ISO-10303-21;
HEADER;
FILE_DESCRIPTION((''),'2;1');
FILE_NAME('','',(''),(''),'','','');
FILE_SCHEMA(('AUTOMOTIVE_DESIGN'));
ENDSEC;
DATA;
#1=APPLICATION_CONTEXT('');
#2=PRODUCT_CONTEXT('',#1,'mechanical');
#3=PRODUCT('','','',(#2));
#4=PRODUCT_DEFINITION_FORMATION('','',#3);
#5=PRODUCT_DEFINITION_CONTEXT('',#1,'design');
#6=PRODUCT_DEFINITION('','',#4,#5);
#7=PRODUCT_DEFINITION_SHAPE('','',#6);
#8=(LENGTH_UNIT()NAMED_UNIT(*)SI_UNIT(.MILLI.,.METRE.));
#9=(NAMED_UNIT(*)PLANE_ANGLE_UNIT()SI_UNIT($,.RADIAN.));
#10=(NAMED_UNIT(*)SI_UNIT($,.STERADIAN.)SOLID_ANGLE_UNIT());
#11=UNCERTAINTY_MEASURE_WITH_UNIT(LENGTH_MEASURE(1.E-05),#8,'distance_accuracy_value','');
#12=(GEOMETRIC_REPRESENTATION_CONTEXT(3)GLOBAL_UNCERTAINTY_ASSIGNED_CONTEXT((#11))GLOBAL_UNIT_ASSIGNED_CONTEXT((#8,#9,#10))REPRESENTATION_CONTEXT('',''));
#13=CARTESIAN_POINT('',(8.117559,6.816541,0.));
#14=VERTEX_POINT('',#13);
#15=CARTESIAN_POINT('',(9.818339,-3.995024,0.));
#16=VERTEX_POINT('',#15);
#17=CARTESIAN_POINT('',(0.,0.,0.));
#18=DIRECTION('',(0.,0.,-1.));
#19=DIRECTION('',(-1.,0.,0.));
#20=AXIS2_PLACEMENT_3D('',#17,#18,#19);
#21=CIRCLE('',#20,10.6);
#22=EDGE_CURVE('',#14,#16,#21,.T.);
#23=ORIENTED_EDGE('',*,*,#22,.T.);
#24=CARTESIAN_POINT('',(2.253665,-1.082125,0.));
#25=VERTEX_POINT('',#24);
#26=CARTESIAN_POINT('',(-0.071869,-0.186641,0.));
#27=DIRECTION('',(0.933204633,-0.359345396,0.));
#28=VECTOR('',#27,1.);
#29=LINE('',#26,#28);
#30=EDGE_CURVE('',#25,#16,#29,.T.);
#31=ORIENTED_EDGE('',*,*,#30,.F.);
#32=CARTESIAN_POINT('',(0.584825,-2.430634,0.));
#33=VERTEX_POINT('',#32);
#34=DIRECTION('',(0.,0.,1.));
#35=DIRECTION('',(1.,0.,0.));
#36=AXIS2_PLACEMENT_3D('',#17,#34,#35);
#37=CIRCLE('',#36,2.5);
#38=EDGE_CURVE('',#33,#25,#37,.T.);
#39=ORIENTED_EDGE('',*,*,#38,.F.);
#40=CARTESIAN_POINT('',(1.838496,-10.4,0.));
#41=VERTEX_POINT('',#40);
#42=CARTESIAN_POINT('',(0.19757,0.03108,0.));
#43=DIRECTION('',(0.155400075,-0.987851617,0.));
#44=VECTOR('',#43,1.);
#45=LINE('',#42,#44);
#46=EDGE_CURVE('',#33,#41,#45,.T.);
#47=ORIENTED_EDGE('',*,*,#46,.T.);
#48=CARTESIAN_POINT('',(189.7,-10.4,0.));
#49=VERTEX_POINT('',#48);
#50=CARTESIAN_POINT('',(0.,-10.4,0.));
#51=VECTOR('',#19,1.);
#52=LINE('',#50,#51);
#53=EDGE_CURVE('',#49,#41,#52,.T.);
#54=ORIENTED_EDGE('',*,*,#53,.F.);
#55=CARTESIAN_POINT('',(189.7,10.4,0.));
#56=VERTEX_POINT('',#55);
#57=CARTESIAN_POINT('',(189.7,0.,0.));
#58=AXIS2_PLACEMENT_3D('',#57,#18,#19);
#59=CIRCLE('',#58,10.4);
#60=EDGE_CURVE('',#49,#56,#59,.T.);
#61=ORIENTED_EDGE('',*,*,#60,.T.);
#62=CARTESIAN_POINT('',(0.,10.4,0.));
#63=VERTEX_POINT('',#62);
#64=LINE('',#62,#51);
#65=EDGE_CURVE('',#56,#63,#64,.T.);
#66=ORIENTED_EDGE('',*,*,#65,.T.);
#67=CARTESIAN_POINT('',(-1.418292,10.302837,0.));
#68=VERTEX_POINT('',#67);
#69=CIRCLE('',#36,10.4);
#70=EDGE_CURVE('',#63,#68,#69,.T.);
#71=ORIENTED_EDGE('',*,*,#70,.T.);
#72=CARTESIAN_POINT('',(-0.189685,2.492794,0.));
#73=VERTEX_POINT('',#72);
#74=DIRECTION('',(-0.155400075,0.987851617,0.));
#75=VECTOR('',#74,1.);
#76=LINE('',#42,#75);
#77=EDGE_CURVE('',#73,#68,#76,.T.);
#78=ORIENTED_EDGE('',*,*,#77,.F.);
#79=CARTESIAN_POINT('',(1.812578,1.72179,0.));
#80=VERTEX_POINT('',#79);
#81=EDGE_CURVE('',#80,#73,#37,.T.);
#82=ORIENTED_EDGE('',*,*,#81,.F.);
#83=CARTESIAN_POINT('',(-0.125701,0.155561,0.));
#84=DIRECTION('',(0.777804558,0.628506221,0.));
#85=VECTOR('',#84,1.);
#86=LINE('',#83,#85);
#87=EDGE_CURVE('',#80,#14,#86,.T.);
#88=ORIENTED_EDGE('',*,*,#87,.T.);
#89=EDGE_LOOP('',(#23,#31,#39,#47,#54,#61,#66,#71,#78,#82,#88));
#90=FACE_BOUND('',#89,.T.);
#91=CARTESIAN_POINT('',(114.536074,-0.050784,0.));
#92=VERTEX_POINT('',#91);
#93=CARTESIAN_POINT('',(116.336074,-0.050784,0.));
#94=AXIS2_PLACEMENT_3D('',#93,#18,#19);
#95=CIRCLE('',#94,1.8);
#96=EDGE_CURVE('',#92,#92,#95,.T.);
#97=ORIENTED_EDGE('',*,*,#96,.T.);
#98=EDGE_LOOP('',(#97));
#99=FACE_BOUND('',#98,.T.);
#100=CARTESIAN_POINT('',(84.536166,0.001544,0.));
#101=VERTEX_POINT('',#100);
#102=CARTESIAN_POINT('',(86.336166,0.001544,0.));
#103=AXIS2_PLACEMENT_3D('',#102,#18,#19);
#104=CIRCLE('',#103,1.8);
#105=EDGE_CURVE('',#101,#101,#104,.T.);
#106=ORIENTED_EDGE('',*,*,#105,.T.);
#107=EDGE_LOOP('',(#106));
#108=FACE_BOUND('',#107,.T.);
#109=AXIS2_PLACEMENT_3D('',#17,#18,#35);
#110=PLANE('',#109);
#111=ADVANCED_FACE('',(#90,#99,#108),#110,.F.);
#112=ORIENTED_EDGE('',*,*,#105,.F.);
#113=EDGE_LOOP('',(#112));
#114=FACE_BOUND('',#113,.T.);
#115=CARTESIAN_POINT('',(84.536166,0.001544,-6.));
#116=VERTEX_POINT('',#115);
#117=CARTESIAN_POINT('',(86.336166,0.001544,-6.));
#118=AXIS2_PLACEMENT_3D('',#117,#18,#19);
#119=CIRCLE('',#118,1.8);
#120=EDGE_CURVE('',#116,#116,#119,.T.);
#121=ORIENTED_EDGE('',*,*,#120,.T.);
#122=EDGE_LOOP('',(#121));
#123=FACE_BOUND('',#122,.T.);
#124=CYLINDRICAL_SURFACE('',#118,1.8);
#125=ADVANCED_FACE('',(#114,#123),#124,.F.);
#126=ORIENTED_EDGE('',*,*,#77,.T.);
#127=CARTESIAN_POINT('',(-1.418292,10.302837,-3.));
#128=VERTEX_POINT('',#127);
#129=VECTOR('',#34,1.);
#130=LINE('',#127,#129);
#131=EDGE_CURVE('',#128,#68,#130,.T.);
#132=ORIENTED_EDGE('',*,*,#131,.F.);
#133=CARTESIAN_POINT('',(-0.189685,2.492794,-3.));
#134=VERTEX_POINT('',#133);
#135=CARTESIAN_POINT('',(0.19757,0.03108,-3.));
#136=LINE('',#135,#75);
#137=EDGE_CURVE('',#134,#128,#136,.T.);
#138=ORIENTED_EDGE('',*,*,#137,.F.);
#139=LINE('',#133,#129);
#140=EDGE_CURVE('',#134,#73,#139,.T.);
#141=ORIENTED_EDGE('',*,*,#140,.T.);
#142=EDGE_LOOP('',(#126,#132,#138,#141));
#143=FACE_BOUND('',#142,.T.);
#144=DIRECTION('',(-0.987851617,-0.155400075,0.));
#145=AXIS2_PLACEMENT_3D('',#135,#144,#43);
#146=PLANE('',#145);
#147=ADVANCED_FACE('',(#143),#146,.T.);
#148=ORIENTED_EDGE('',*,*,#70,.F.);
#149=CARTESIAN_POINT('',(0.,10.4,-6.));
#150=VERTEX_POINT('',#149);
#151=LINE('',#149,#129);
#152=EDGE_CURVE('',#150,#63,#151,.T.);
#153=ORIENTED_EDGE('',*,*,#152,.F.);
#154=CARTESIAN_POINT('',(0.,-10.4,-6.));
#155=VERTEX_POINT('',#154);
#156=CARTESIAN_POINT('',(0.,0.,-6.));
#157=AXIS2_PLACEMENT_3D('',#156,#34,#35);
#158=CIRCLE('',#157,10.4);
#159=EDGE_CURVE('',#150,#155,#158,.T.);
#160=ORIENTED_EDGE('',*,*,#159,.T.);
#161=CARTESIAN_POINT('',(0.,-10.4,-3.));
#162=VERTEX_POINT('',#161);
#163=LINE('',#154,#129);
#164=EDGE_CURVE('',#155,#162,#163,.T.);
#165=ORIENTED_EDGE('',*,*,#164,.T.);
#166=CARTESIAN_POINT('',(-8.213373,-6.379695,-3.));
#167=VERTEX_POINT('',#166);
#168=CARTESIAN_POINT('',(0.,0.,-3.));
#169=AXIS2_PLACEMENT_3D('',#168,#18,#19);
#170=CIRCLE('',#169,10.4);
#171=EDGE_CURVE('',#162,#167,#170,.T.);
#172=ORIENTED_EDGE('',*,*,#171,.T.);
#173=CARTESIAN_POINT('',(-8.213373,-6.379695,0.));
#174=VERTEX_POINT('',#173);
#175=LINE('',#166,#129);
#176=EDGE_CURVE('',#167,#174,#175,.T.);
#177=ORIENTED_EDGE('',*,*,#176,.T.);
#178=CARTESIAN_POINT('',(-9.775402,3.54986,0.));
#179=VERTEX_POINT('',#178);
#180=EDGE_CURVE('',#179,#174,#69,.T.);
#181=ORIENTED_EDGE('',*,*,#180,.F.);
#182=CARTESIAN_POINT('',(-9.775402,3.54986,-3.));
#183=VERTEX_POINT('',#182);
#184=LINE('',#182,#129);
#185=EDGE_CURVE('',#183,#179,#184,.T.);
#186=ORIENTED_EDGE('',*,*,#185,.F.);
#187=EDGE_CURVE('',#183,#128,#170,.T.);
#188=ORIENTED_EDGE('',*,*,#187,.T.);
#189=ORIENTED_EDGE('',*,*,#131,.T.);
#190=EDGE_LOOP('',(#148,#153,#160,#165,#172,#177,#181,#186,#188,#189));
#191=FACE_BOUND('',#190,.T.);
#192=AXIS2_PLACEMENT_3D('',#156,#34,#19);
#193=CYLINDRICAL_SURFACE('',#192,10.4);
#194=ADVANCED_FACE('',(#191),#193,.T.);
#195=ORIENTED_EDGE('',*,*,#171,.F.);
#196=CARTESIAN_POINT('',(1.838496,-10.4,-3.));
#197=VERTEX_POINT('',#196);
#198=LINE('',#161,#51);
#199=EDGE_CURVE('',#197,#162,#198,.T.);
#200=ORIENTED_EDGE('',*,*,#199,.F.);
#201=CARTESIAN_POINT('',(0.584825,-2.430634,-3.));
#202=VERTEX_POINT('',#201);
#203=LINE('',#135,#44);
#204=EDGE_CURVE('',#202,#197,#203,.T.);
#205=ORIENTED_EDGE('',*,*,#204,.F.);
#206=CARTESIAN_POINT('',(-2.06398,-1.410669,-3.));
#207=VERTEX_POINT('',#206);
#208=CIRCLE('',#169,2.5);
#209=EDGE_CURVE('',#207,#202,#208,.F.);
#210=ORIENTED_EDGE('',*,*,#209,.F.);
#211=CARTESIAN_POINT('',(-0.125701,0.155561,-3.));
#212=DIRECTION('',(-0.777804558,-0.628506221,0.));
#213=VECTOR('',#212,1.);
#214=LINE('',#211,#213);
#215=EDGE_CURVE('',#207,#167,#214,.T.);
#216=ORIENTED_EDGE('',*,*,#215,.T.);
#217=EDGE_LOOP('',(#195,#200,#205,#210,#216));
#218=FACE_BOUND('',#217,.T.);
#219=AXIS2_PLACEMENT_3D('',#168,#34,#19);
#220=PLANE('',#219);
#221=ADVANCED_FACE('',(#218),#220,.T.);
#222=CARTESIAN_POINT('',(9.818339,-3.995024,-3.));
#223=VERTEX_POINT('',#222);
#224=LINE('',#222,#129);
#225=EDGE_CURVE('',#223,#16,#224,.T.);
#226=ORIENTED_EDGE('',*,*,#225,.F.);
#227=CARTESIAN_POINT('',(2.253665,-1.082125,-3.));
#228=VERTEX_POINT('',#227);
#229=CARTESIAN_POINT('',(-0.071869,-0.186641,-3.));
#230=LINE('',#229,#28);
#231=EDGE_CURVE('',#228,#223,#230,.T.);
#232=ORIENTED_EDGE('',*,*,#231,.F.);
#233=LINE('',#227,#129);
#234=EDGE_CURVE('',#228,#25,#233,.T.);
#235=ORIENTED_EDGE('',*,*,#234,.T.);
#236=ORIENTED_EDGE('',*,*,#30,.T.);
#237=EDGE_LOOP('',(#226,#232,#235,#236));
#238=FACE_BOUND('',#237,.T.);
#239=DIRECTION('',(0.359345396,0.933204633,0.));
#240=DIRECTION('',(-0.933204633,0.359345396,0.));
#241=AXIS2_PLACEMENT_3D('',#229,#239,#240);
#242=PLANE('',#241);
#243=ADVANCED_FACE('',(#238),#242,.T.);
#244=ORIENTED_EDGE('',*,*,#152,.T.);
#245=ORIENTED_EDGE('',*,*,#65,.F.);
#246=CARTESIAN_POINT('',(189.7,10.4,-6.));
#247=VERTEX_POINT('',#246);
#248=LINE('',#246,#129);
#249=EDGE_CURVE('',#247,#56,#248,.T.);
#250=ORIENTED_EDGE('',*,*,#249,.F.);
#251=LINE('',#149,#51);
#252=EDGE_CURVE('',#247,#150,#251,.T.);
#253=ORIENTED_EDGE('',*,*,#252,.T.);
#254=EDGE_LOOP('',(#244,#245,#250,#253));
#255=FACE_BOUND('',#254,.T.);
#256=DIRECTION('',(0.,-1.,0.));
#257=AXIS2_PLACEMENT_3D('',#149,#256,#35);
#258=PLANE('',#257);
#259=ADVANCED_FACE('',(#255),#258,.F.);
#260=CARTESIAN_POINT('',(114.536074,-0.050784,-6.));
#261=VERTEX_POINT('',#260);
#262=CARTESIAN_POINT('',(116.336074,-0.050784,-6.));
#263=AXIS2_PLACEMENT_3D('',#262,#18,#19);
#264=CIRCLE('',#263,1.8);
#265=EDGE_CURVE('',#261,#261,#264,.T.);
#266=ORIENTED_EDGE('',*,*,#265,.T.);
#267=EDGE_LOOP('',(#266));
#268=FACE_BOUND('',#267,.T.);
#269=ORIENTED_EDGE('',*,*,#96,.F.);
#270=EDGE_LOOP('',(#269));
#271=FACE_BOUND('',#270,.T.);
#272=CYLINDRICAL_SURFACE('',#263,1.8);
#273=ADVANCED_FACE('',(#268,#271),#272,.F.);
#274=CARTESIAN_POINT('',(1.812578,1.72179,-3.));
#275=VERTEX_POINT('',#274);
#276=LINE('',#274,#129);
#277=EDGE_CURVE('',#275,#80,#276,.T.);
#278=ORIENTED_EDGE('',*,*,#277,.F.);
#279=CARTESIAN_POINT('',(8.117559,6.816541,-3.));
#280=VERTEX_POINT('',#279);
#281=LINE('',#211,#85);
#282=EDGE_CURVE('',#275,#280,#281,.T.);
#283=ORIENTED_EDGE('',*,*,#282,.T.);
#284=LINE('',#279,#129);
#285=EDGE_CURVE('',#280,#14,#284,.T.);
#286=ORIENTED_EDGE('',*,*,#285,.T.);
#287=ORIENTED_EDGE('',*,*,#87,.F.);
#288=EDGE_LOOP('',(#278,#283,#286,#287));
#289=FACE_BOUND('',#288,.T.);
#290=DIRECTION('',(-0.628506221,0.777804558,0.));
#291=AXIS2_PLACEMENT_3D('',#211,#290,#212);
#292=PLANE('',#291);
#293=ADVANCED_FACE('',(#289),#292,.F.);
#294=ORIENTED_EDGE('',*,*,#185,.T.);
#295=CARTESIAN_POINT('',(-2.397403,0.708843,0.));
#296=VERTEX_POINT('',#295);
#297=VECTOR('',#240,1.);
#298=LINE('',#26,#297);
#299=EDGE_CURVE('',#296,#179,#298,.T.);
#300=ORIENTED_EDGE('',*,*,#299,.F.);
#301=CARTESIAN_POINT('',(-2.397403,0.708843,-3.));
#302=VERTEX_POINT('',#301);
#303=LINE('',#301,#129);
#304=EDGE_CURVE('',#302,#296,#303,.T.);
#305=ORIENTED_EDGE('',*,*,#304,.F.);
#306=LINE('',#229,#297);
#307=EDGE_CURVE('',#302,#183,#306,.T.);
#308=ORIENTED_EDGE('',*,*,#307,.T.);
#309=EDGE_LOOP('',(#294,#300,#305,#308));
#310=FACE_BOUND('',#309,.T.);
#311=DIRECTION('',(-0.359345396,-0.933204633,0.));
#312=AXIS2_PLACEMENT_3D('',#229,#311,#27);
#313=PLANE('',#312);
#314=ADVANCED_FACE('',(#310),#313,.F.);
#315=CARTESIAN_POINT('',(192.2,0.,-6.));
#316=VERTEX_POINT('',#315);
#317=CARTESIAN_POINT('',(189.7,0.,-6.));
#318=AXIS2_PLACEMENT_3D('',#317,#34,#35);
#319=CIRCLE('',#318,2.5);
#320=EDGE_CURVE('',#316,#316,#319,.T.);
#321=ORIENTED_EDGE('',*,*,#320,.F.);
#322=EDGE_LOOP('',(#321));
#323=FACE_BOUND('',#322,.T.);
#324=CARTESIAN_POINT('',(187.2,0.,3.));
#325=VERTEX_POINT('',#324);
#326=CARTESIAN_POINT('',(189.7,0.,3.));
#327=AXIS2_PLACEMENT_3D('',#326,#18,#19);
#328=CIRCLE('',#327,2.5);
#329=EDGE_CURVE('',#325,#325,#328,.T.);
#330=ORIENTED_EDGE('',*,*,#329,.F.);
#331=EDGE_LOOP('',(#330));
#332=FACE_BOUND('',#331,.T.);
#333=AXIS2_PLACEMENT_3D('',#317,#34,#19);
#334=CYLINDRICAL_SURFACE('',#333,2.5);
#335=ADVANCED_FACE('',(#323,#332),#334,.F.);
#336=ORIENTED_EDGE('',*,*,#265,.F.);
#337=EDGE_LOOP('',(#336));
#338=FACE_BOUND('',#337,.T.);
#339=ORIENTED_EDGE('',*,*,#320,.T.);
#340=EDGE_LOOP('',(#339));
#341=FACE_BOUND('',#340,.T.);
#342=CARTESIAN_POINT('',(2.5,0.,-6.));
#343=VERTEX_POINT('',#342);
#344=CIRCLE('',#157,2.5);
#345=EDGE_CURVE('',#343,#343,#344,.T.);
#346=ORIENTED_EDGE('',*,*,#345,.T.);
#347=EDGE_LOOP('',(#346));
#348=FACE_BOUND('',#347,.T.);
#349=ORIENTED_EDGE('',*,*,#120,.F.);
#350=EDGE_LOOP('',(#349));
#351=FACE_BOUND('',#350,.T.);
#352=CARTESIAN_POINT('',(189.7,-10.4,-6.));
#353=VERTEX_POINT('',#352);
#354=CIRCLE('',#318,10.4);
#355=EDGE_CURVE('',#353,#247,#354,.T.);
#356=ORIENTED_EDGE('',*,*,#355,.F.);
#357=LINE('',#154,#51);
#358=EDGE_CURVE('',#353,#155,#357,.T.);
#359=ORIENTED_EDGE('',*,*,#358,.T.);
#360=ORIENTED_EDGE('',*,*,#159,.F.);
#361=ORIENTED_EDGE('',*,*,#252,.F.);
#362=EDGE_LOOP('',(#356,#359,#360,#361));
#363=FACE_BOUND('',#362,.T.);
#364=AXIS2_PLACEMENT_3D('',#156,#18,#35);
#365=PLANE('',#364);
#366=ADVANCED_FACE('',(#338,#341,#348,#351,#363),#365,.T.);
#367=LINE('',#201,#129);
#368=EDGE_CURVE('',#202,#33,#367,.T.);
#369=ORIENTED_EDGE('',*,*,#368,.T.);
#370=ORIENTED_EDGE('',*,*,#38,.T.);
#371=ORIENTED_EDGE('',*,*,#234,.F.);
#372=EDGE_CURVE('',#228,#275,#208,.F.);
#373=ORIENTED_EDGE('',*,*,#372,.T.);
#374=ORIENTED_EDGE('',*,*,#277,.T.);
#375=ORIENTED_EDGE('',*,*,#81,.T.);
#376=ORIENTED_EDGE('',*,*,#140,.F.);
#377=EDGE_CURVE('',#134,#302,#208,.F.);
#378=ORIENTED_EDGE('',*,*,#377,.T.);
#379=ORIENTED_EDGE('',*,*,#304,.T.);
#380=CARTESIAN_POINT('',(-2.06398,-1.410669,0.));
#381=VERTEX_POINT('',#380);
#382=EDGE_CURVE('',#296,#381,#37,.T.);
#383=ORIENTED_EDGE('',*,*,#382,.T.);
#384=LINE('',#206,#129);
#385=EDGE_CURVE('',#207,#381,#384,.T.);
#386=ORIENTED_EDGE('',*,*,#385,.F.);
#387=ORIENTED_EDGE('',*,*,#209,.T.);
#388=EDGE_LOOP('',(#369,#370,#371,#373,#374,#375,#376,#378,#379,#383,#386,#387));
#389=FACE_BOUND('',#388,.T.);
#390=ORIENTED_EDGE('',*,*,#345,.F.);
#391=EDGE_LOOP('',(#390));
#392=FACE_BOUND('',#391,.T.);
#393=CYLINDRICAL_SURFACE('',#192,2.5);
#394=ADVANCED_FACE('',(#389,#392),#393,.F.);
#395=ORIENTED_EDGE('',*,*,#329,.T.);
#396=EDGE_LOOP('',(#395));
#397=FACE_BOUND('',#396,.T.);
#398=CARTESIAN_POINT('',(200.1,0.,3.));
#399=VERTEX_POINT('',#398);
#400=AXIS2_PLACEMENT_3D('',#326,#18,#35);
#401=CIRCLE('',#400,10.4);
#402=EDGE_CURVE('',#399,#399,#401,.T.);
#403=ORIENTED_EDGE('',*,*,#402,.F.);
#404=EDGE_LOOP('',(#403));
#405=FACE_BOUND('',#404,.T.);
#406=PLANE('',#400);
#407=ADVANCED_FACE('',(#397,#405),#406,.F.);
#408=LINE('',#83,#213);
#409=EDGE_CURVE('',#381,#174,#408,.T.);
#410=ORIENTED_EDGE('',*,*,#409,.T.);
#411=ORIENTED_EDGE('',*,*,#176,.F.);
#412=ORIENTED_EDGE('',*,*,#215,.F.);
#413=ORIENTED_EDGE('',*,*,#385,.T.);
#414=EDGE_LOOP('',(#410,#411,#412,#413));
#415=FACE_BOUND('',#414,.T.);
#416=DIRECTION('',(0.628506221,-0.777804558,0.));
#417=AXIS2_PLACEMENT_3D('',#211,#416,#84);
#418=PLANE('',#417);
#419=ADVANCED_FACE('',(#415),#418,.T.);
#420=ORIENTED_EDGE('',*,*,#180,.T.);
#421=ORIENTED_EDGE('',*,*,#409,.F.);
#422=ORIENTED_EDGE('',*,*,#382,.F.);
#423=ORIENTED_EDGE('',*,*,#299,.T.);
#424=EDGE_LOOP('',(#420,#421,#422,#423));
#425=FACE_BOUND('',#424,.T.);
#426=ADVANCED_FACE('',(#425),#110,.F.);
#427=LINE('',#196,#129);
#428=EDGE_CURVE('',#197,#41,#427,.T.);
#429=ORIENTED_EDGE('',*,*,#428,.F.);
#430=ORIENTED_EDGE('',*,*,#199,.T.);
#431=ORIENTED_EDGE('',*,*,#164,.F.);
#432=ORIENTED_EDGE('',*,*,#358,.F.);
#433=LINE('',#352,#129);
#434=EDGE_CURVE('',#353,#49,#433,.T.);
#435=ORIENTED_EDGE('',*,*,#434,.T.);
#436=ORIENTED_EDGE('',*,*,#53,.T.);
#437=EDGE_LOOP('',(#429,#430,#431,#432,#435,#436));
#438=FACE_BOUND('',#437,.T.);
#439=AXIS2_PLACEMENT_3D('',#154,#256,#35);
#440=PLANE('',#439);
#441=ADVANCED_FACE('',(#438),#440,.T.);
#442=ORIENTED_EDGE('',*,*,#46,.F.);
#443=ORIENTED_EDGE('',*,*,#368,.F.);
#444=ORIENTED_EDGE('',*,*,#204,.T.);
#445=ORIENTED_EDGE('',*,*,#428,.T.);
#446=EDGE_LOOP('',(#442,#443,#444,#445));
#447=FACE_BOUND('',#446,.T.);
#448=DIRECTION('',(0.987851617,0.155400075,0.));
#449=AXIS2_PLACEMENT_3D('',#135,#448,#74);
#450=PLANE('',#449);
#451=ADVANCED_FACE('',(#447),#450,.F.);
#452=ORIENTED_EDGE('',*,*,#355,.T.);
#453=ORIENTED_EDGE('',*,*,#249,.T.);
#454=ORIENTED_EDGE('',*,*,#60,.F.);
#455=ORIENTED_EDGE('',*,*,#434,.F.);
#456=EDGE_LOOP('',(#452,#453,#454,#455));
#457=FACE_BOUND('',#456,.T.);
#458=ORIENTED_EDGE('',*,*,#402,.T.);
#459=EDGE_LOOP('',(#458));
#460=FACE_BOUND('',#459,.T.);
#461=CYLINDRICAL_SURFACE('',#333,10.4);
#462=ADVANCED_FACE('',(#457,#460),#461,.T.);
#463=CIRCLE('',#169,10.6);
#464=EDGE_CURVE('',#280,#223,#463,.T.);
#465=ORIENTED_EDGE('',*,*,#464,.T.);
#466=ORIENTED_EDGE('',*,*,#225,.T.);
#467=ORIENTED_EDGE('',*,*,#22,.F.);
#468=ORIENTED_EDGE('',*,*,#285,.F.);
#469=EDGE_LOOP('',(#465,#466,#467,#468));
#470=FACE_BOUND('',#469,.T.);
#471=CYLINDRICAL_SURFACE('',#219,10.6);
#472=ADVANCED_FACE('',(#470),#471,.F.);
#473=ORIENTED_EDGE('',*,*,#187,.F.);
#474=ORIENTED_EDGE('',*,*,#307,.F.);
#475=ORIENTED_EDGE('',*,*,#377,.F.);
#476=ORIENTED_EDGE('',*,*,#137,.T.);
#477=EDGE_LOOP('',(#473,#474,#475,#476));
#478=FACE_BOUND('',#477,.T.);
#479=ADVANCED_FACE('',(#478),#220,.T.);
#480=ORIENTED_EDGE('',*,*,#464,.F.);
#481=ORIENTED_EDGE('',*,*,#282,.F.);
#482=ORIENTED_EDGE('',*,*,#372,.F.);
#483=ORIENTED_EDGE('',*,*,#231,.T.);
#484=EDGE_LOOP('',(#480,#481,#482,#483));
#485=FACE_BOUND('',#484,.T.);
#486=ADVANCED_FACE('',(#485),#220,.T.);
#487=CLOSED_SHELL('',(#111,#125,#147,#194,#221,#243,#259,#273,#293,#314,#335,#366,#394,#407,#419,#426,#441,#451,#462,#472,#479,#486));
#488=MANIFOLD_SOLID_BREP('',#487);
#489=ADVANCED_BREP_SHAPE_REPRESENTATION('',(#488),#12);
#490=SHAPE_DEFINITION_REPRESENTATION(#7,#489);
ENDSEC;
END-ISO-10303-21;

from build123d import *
from build123d.topology import SkipClean

# Parameters (mm, degrees)
SKETCH1_R            = 2.5
BOSS_EXTRUDE1_DEPTH  = 6
CUT_EXTRUDE3_DEPTH   = 3
BOSS_EXTRUDE2_START  = 3
SKETCH4_R            = 2.5
BOSS_EXTRUDE2_DEPTH  = 3
M3_CLEARANCE_HOLE1_D = 3.6


with BuildPart() as part:
    # Sketch1 → Boss-Extrude1 (new body)
    with BuildSketch(Plane.XY):
        with BuildLine():
            Line((189.7, -10.4), (0, -10.4))
            ThreePointArc((0, -10.4), (-10.4, 0), (0, 10.4))
            Line((0, 10.4), (189.7, 10.4))
            ThreePointArc((189.7, 10.4), (200.1, 0), (189.7, -10.4))
        make_face()
        Circle(SKETCH1_R, mode=Mode.SUBTRACT)
        with Locations((189.7, 0)):
            Circle(SKETCH1_R, mode=Mode.SUBTRACT)
    extrude(amount=BOSS_EXTRUDE1_DEPTH)

    # Sketch6 → Cut-Extrude3 (cut)
    with BuildSketch(Plane(origin=(0, 0, 0), x_dir=(-1, 0, 0), z_dir=(0, 0, -1))):
        with BuildLine():
            ThreePointArc((0.189684667, 2.492793559), (1.571265552, 1.944511395), (2.39740304, 0.708843186))
            Line((2.39740304, 0.708843186), (9.962077265, 3.621742201))
            ThreePointArc((9.962077265, 3.621742201), (6.66216594, 8.244728315), (1.449377234, 10.500443116))
            Line((1.449377234, 10.500443116), (0.189684667, 2.492793559))
        make_face()
        with BuildLine():
            ThreePointArc((2.063980215, -1.41066852), (0.89836349, -2.333011582), (-0.584825314, -2.430633529))
            Line((-0.584825314, -2.430633529), (-1.844517881, -10.438283086))
            ThreePointArc((-1.844517881, -10.438283086), (3.809061198, -9.891969106), (8.368961872, -6.505419062))
            Line((8.368961872, -6.505419062), (2.063980215, -1.41066852))
        make_face()
        with BuildLine():
            Line((-9.818339107, -3.995024054), (-2.253664882, -1.082125039))
            ThreePointArc((-2.253664882, -1.082125039), (-2.469629042, 0.388500187), (-1.812577726, 1.721790343))
            Line((-1.812577726, 1.721790343), (-8.117559384, 6.816540886))
            ThreePointArc((-8.117559384, 6.816540886), (-10.471227138, 1.647240791), (-9.818339107, -3.995024054))
        make_face()
    extrude(amount=-CUT_EXTRUDE3_DEPTH, mode=Mode.SUBTRACT)

    # Sketch4 → Boss-Extrude2 (add)
    with SkipClean():  # the faces are left unmerged after this step: merging them gives an invalid solid
        with BuildSketch(Plane(origin=(0, 0, 0), x_dir=(-1, 0, 0), z_dir=(0, 0, -1)).offset(BOSS_EXTRUDE2_START)):
            with BuildLine():
                ThreePointArc((-189.7, 10.4), (-200.1, 0), (-189.7, -10.4))
                ThreePointArc((-189.7, -10.4), (-179.3, 0), (-189.7, 10.4))
            make_face()
            with Locations((-189.7, 0)):
                Circle(SKETCH4_R, mode=Mode.SUBTRACT)
        extrude(amount=-BOSS_EXTRUDE2_DEPTH)


with BuildPart() as body_2:
    # Mirror1: mirrored copy
    add(part.part.mirror(Plane.XY))

    # M3 Clearance Hole1 (through all)
    with Locations(Plane(origin=(0, 0, -6), x_dir=(-1, 0, 0), z_dir=(0, 0, -1))):
        with Locations((-116.336074354, -0.050784287), (-86.336165629, 0.001543951)):
            Hole(M3_CLEARANCE_HOLE1_D / 2)


solid = body_2.part
